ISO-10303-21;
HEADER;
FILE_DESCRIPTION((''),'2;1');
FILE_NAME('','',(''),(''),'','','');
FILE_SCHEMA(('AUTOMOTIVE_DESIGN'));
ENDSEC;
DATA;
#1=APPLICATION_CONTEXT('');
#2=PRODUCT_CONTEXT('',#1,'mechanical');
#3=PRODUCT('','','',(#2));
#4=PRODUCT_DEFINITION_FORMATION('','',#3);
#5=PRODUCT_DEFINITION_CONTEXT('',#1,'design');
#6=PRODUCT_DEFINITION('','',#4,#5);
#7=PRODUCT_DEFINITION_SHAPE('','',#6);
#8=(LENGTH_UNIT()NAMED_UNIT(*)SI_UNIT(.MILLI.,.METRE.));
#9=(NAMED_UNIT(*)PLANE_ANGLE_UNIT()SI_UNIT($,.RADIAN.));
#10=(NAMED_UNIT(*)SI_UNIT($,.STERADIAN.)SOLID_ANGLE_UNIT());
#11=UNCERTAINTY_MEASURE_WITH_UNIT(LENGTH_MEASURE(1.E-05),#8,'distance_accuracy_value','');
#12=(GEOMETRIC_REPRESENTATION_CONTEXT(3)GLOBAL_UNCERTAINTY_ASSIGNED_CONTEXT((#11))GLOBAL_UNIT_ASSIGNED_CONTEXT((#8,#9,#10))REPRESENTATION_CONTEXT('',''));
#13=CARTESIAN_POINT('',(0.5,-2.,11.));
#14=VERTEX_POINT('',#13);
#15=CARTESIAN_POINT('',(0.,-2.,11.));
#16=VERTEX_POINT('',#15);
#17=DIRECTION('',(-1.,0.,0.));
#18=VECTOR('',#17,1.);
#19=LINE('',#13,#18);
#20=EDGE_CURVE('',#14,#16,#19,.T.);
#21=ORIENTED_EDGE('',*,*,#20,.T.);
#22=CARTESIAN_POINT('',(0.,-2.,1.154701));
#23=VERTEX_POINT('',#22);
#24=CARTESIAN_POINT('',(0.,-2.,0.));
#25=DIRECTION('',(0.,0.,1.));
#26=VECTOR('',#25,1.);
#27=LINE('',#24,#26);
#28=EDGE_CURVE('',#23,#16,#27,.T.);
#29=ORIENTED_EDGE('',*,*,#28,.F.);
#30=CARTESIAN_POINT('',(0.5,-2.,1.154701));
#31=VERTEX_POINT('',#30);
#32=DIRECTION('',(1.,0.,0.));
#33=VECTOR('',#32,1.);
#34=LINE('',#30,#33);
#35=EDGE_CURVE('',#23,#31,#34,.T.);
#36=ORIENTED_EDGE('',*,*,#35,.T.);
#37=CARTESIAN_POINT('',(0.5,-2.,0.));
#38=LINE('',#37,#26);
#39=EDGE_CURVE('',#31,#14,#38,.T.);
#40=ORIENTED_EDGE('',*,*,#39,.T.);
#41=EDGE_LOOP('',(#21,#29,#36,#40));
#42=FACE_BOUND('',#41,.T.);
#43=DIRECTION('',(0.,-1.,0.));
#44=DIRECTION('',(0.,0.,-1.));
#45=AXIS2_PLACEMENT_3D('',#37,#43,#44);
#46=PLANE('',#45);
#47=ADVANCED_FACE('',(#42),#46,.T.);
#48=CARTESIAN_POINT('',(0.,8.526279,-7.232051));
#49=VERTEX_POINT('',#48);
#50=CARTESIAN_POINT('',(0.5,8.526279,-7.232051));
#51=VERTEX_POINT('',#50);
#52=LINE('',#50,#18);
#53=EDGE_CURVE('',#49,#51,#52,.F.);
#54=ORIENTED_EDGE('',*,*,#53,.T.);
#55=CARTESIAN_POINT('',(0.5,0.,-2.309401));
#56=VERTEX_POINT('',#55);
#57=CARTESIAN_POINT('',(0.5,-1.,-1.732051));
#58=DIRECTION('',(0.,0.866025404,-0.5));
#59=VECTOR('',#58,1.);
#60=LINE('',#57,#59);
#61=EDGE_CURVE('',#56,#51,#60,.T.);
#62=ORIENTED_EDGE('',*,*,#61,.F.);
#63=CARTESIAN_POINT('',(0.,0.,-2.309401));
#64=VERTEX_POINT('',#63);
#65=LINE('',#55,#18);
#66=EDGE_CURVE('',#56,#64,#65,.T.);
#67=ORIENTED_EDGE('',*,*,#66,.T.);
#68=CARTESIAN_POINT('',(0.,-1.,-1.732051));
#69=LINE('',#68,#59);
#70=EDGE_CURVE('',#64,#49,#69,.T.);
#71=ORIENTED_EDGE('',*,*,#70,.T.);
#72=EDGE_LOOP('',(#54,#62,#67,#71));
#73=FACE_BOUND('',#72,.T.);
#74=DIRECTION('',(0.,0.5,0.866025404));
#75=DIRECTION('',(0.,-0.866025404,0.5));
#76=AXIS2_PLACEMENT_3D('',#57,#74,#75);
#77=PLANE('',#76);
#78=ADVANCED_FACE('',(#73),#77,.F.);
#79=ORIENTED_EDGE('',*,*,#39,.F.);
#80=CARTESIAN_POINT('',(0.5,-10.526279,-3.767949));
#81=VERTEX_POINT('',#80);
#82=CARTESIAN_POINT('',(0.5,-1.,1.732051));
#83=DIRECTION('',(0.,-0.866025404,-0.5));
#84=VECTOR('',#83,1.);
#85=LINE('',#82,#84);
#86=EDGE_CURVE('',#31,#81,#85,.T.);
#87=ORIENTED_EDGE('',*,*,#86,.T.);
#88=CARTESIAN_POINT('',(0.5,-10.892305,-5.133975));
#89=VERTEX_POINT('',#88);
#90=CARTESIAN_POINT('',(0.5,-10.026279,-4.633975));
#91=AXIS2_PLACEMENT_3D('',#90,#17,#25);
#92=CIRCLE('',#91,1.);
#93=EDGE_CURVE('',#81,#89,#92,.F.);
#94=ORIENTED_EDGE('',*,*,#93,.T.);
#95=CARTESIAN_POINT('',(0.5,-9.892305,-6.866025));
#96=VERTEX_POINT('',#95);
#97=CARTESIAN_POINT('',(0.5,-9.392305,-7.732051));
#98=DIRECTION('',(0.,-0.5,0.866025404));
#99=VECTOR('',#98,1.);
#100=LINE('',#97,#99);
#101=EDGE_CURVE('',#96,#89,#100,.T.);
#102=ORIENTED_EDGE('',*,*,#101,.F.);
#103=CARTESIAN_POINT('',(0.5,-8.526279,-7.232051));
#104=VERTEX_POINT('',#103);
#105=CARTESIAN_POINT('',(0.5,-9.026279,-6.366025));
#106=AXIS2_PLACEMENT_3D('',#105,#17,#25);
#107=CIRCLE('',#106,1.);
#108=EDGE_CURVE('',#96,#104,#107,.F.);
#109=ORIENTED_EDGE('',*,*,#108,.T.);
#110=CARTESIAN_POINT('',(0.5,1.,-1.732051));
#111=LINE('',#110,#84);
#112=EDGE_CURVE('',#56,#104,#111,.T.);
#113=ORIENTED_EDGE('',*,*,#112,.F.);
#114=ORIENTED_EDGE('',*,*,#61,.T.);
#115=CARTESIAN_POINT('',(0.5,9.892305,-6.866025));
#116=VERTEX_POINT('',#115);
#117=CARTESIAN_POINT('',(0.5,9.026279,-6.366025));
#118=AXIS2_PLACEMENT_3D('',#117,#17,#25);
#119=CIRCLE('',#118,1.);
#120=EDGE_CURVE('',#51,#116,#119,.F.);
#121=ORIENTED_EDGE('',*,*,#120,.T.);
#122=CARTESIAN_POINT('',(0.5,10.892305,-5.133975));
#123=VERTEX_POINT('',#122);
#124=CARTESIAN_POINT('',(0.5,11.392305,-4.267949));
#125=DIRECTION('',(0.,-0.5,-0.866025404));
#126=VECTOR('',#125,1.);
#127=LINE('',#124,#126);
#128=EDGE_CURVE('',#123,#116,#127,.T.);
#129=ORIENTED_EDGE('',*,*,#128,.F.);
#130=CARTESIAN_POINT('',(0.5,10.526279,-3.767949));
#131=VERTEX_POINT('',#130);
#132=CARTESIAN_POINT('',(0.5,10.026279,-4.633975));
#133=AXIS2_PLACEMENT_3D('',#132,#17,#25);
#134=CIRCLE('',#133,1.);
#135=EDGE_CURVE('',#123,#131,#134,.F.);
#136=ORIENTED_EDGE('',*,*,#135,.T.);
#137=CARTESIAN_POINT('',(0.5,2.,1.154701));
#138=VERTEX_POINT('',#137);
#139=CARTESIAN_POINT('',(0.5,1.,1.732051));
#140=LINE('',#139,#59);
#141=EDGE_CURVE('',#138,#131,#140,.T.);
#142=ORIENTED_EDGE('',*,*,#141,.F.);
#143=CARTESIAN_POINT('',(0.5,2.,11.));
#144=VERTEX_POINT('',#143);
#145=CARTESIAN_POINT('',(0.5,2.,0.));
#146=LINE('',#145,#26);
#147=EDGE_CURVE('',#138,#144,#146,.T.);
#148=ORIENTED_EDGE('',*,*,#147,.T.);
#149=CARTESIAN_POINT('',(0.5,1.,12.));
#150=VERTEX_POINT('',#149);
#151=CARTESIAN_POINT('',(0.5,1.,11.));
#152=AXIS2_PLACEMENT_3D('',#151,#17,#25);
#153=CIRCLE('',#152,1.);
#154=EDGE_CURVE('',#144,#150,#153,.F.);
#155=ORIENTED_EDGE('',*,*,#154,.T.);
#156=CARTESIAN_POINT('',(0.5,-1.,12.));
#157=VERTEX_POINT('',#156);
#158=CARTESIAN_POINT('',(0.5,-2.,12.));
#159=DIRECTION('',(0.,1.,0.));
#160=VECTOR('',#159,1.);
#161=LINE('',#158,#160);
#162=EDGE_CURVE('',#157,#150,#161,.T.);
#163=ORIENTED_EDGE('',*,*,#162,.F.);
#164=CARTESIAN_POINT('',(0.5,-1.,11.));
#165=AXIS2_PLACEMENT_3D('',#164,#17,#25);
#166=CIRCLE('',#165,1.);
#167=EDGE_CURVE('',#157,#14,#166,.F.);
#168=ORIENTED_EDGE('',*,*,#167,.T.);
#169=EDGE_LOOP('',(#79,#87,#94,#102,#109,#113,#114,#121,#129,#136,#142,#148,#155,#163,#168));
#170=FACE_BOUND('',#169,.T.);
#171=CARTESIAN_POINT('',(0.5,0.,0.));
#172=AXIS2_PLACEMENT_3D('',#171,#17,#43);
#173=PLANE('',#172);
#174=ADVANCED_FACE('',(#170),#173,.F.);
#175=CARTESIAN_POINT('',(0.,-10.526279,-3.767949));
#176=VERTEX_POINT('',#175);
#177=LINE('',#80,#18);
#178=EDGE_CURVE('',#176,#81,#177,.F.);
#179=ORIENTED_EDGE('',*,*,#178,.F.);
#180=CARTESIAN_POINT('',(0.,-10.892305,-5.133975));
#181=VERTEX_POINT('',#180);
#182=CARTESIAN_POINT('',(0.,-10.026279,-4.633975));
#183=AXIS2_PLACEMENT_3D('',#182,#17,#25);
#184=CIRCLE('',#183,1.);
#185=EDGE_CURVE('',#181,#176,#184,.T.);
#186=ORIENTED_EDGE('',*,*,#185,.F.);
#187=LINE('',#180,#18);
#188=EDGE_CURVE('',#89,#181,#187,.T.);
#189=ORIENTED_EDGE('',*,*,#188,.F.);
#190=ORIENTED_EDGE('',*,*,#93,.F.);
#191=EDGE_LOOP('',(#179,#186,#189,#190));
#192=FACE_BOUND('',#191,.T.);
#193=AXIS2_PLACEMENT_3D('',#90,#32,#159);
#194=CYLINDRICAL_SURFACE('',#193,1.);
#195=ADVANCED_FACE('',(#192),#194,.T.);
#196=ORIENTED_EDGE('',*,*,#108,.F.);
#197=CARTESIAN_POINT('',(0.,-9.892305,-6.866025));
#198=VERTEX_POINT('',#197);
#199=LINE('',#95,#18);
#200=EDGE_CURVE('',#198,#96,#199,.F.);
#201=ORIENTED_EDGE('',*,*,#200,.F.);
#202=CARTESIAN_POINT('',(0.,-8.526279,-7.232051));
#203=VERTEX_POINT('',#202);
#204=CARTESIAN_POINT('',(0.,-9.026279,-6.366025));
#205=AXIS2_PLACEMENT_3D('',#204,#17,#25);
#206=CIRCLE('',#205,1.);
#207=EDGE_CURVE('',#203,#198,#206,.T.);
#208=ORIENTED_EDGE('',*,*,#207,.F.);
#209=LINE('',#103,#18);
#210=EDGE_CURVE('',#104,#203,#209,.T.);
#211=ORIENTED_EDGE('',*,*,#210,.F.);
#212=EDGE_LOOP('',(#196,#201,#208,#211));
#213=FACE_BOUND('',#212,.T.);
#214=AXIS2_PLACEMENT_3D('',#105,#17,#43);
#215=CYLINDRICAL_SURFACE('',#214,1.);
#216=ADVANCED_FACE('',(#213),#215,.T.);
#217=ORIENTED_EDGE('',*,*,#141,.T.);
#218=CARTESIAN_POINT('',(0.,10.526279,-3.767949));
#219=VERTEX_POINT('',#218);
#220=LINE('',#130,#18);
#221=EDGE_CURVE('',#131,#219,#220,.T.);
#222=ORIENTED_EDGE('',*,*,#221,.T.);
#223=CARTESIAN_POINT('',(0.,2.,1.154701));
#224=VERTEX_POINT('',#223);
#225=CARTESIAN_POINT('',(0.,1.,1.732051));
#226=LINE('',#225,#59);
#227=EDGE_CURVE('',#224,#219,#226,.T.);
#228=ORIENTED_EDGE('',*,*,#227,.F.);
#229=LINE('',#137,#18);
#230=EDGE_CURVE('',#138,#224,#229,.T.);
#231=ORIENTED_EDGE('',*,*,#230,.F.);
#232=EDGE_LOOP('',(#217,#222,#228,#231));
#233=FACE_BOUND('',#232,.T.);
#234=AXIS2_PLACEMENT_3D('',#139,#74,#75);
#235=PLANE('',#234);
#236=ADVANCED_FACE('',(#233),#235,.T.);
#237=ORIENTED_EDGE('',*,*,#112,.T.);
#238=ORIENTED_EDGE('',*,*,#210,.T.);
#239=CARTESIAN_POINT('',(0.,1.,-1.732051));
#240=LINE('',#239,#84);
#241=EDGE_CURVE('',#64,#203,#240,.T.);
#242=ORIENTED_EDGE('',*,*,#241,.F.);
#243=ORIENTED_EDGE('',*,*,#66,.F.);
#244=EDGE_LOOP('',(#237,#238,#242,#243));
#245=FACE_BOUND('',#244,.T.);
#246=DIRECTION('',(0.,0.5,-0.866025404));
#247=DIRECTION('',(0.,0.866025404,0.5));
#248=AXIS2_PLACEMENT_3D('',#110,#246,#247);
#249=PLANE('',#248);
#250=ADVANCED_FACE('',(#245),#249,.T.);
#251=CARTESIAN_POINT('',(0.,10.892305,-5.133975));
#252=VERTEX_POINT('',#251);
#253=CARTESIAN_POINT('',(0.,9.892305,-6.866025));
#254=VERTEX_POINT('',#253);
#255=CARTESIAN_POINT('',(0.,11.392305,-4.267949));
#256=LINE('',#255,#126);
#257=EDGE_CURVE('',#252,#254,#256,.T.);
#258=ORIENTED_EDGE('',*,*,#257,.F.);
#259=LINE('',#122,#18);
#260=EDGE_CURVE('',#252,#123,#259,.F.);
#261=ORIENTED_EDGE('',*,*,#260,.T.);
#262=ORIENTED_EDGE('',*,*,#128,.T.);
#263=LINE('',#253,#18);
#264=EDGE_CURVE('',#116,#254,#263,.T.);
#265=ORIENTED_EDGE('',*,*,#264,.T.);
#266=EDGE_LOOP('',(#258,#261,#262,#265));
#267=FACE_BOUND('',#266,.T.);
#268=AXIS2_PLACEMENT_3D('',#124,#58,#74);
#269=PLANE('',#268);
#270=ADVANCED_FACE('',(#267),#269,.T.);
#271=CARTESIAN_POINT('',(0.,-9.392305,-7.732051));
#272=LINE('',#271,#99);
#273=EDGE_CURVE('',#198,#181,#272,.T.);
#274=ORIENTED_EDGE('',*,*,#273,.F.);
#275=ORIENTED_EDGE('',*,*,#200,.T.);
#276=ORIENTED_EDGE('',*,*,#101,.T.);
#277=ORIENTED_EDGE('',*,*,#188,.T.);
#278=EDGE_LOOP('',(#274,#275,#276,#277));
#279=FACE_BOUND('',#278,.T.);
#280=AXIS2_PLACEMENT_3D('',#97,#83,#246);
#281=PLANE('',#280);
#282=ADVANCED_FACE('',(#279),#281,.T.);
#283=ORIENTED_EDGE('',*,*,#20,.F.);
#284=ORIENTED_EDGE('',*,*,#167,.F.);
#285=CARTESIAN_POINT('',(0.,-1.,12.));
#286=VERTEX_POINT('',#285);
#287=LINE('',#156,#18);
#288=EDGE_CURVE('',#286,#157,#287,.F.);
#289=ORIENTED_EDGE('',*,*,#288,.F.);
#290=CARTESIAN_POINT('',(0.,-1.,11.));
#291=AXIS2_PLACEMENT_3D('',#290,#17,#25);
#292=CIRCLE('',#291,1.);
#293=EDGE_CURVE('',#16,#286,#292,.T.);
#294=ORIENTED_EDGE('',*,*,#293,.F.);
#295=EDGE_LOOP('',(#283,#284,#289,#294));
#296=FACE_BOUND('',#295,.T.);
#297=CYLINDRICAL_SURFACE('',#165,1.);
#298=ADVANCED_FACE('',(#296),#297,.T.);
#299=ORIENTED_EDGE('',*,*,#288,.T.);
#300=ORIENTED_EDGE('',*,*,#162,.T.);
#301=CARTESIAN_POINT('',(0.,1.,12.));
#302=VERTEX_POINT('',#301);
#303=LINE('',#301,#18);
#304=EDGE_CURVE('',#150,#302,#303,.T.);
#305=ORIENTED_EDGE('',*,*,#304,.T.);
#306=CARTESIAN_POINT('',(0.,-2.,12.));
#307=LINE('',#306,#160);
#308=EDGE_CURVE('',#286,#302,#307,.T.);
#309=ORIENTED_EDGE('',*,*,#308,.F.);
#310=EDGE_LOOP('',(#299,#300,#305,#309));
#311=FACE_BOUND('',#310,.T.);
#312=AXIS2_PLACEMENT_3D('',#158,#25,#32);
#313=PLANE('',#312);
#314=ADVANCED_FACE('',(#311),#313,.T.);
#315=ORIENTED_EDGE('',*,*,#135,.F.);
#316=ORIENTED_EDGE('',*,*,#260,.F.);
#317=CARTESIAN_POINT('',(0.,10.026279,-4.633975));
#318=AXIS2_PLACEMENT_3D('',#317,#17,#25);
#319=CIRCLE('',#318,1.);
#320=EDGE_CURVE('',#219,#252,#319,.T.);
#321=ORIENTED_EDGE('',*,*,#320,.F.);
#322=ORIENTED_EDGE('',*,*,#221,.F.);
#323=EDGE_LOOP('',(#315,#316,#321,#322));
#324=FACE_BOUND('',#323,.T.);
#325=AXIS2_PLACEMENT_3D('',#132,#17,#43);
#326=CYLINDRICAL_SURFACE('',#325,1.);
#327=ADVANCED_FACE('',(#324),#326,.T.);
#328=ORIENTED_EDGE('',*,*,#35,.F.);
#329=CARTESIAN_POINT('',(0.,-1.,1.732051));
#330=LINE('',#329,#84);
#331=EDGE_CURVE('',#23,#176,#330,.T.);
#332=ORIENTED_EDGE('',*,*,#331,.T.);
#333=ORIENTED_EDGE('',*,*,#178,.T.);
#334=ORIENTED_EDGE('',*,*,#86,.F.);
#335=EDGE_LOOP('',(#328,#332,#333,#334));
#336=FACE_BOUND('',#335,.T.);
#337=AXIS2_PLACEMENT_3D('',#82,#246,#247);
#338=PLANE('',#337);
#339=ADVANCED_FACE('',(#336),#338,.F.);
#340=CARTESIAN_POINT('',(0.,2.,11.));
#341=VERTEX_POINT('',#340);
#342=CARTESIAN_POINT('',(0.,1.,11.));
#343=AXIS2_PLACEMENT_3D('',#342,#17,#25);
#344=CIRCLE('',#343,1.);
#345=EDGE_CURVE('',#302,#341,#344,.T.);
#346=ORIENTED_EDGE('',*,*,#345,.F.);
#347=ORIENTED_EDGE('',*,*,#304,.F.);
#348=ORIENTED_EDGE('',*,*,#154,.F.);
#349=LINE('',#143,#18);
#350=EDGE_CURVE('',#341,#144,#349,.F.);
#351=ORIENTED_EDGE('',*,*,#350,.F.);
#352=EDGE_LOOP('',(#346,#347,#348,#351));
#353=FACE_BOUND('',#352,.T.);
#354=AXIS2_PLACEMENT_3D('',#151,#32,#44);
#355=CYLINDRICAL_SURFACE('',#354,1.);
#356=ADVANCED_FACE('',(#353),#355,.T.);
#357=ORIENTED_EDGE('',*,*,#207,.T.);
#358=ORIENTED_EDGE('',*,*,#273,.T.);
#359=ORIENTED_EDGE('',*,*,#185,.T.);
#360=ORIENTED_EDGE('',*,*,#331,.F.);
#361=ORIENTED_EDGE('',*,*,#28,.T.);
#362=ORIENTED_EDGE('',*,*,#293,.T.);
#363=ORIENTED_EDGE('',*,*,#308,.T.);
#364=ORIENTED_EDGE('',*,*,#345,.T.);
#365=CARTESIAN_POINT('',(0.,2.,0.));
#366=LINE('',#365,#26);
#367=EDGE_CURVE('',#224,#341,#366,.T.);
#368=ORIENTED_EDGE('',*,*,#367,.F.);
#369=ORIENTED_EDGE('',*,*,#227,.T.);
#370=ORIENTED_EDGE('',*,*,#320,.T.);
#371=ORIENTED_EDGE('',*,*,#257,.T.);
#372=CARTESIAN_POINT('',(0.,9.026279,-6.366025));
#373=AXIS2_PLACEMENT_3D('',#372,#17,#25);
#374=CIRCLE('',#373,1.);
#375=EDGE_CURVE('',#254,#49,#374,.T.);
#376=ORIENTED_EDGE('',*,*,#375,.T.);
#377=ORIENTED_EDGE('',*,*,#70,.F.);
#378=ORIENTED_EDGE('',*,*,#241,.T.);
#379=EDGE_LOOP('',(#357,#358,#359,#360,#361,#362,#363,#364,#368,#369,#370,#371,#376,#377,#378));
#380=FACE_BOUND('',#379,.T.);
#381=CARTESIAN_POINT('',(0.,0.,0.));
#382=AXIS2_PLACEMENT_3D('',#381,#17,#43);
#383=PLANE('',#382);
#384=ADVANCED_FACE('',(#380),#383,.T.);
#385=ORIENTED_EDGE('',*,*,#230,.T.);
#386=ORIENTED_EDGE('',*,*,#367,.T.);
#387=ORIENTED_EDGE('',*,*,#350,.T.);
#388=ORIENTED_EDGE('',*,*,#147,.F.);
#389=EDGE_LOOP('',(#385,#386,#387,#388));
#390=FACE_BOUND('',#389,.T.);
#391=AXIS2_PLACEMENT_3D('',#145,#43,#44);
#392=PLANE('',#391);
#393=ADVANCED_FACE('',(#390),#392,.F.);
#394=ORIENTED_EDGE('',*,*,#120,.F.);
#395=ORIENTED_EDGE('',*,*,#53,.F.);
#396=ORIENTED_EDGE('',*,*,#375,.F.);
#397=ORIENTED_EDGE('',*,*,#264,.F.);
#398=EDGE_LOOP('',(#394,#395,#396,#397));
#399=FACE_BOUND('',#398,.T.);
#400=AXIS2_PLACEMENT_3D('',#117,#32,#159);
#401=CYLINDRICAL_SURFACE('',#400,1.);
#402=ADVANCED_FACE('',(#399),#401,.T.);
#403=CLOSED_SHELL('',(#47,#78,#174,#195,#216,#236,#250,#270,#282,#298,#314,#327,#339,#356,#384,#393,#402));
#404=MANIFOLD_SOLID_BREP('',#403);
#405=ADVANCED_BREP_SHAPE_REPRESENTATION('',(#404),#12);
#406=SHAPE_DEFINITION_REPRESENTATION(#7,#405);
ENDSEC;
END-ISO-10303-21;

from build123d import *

# Parameters (mm, degrees)
SKETCH1_W                = 4
SKETCH1_H                = 12
EXTRUDE_THIN2_DEPTH      = 0.5
FILLET2_R                = 1
CIRPATTERN1_COUNT        = 3
FILLET2_OF_CIRPATTERN1_R = 1


with BuildPart() as part:
    # Sketch1 → Extrude-Thin2 (new body)
    with BuildSketch(Plane.YZ):
        with Locations((0, 6)):
            Rectangle(SKETCH1_W, SKETCH1_H)
    extrude_thin2 = extrude(amount=EXTRUDE_THIN2_DEPTH)

    # Fillet2
    fillet2_edges = [part.edges().sort_by_distance(p)[0] for p in [
        (0.25, -2, 12),
        (0.25, 2, 12),
    ]]
    fillet(fillet2_edges, radius=FILLET2_R)

    # CirPattern1: Extrude-Thin2 ×3 about axis
    cirpattern1_axis = Axis((0, 0, 0), (1, 0, 0))
    for i in range(1, CIRPATTERN1_COUNT):
        add(extrude_thin2.rotate(cirpattern1_axis, i * 360 / CIRPATTERN1_COUNT))

    # Fillet2 of CirPattern1
    fillet2_of_cirpattern1_edges = [part.edges().sort_by_distance(p)[0] for p in [
        (0.25, -9.392304845, -7.732050808),
        (0.25, -11.392304845, -4.267949192),
        (0.25, 11.392304845, -4.267949192),
        (0.25, 9.392304845, -7.732050808),
    ]]
    fillet(fillet2_of_cirpattern1_edges, radius=FILLET2_OF_CIRPATTERN1_R)


solid = part.part
